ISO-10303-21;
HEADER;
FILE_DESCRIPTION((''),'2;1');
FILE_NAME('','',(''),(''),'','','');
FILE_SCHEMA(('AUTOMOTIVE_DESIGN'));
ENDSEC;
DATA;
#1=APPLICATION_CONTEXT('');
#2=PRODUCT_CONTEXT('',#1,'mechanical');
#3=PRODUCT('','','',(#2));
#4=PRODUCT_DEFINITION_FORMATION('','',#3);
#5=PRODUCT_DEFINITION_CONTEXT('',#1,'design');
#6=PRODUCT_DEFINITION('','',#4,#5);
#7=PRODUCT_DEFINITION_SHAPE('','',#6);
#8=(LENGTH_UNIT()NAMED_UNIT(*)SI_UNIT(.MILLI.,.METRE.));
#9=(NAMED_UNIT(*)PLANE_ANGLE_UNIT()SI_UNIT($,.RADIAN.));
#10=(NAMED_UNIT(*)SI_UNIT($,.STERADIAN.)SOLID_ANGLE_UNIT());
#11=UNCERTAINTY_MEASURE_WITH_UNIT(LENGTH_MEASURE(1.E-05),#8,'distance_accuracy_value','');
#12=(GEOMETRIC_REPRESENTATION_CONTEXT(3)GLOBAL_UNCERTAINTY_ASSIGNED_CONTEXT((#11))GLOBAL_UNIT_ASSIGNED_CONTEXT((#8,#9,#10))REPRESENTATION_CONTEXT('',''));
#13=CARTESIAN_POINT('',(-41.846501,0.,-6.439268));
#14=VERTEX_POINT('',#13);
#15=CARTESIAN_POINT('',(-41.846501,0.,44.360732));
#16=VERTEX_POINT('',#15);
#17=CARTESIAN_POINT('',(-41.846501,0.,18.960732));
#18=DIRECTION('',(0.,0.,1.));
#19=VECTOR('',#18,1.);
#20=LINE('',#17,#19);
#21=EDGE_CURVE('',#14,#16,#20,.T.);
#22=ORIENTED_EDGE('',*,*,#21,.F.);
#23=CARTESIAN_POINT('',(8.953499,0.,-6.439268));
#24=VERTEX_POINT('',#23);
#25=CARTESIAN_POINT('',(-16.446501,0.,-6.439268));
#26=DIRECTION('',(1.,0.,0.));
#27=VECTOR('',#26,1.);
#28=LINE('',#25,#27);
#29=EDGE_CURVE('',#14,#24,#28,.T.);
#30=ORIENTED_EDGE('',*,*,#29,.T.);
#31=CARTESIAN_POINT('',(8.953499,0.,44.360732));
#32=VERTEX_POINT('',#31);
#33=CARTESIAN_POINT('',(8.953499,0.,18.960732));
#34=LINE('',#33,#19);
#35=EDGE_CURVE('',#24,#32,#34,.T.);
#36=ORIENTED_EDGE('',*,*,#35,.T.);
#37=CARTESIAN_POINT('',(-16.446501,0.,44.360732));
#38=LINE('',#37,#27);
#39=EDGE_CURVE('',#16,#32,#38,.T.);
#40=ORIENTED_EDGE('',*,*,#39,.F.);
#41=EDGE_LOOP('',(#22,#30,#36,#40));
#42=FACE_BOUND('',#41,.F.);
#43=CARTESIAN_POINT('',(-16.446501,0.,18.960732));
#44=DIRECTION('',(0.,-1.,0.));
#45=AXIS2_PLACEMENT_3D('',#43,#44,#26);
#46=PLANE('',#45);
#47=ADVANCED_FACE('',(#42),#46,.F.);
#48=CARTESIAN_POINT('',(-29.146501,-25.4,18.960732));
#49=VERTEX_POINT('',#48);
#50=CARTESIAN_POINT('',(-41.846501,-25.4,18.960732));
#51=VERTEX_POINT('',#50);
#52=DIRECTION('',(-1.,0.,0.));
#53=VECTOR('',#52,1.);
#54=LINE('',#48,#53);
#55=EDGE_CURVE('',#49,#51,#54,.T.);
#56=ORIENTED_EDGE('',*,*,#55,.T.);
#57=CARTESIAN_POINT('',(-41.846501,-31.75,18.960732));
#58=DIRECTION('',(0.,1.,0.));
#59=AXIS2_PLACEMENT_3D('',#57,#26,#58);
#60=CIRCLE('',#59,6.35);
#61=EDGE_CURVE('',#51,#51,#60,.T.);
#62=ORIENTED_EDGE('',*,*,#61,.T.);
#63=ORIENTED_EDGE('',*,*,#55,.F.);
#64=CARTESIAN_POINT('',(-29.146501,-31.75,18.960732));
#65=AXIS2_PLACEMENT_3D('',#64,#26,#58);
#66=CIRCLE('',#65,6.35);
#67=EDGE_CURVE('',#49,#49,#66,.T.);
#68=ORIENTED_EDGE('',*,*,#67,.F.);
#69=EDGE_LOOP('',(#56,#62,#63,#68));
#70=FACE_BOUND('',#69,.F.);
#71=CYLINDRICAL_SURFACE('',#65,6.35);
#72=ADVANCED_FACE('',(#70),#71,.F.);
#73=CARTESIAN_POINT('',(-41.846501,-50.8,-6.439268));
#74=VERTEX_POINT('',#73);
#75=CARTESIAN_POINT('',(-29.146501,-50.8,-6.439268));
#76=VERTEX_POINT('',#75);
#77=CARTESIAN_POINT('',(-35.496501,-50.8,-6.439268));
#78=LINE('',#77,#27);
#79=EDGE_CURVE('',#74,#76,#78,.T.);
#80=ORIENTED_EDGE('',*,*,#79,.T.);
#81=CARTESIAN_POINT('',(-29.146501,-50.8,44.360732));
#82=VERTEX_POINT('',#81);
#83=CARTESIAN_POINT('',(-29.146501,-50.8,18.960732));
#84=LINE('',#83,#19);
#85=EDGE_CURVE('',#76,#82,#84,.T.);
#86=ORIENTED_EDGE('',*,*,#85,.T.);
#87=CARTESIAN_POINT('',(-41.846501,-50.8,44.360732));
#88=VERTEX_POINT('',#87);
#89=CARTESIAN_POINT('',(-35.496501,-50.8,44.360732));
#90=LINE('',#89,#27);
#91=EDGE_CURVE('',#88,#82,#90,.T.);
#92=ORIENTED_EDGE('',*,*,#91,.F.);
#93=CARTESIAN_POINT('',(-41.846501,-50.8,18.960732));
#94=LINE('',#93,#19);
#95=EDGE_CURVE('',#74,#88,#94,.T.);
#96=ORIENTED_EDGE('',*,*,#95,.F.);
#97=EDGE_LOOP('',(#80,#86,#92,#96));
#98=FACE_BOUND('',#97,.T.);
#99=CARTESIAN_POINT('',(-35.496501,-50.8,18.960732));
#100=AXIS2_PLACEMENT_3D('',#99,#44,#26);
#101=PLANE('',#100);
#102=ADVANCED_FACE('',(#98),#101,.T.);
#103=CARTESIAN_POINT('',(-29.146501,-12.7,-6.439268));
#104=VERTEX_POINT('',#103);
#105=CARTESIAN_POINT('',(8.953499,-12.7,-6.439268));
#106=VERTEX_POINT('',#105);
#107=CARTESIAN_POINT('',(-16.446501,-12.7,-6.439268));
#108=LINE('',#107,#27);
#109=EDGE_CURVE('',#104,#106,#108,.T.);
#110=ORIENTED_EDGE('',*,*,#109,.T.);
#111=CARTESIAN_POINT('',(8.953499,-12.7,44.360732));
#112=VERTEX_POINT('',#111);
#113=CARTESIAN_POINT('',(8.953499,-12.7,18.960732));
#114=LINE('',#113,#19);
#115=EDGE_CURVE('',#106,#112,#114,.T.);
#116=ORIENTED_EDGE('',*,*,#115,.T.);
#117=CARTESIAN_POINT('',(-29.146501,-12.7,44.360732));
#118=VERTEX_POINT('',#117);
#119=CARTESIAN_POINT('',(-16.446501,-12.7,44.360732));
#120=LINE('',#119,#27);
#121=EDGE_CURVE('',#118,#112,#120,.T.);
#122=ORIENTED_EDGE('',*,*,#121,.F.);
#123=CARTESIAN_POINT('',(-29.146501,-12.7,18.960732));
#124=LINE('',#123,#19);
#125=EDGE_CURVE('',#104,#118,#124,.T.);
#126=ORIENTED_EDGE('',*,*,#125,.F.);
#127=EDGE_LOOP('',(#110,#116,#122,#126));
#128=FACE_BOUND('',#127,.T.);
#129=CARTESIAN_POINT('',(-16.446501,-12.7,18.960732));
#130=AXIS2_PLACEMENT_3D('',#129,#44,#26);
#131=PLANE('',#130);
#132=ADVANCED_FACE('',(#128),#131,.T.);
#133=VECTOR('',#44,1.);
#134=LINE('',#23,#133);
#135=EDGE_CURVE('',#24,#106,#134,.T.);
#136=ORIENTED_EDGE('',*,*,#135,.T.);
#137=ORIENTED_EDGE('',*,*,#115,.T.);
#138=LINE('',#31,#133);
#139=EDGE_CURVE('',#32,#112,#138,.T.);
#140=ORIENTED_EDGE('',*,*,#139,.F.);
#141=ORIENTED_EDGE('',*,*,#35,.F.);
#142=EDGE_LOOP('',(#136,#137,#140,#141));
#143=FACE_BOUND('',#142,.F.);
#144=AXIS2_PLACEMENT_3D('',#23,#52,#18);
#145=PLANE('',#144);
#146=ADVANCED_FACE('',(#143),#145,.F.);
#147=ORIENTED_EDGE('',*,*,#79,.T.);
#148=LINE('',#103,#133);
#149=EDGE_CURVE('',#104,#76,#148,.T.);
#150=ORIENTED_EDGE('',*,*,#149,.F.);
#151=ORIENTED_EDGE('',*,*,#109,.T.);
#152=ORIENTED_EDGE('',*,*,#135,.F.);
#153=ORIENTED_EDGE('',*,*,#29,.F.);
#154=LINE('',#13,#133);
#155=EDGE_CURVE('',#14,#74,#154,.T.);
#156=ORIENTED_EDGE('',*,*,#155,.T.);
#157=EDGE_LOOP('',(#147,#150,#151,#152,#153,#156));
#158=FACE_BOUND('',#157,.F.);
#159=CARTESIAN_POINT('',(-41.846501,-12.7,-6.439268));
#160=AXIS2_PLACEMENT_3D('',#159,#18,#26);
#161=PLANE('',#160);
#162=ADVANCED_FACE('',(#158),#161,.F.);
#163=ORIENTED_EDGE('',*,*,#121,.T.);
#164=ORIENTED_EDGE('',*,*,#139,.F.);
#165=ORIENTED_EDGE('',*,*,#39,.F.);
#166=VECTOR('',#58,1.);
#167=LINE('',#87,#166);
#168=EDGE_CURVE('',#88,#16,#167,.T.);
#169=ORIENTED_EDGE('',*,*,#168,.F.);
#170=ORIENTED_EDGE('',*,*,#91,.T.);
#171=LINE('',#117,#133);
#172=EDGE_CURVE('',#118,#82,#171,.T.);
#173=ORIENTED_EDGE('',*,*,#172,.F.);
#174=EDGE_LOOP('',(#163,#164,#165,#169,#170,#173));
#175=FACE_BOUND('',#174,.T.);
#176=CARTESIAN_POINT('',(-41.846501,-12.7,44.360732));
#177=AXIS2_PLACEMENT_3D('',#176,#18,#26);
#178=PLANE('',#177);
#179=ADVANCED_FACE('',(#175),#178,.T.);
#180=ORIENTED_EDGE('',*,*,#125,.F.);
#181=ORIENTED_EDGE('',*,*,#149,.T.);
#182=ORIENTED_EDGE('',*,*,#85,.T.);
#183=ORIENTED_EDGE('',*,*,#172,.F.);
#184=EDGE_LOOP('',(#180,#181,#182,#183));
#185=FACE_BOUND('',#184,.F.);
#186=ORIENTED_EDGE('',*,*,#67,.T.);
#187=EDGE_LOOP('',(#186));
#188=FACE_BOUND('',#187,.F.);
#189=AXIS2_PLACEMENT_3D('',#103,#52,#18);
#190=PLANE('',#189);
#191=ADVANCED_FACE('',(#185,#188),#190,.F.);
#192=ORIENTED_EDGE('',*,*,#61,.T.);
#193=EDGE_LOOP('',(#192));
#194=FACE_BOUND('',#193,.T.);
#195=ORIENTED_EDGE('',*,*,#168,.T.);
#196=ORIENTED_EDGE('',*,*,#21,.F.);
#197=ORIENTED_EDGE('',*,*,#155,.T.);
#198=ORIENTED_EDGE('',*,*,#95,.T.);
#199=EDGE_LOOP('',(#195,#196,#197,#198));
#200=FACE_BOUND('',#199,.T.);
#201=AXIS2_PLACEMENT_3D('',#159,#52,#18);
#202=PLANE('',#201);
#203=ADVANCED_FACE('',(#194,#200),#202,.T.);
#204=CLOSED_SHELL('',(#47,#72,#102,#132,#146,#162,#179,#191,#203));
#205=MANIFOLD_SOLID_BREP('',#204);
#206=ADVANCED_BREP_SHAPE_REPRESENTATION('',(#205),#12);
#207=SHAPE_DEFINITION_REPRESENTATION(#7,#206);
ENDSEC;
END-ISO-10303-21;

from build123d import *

# Parameters (mm, degrees)
F0_W     = 50.8
F0_H     = 50.8
F1_DEPTH = 12.7
F2_W     = 12.7
F2_H     = 50.8
F3_DEPTH = 38.1
F4_R     = 6.35
F5_DEPTH = 25.4


with BuildPart() as f1:
    # F0 (on Front) → F1 (new body)
    with BuildSketch(Plane.XZ):
        with Locations((-16.446501, 18.960732)):
            Rectangle(F0_W, F0_H)
    extrude(amount=F1_DEPTH)

    # F2 (on face) → F3 (join)
    with BuildSketch(Plane.XZ.offset(12.7)):
        with Locations((-35.496501, 18.960732)):
            Rectangle(F2_W, F2_H)
    extrude(amount=F3_DEPTH)

    # F4 (on face) → F5 (cut)
    with BuildSketch(Plane.YZ.offset(-29.146501)):
        with Locations((-31.75, 18.960732)):
            Circle(F4_R)
    extrude(amount=-F5_DEPTH, mode=Mode.SUBTRACT)


solid = f1.part
